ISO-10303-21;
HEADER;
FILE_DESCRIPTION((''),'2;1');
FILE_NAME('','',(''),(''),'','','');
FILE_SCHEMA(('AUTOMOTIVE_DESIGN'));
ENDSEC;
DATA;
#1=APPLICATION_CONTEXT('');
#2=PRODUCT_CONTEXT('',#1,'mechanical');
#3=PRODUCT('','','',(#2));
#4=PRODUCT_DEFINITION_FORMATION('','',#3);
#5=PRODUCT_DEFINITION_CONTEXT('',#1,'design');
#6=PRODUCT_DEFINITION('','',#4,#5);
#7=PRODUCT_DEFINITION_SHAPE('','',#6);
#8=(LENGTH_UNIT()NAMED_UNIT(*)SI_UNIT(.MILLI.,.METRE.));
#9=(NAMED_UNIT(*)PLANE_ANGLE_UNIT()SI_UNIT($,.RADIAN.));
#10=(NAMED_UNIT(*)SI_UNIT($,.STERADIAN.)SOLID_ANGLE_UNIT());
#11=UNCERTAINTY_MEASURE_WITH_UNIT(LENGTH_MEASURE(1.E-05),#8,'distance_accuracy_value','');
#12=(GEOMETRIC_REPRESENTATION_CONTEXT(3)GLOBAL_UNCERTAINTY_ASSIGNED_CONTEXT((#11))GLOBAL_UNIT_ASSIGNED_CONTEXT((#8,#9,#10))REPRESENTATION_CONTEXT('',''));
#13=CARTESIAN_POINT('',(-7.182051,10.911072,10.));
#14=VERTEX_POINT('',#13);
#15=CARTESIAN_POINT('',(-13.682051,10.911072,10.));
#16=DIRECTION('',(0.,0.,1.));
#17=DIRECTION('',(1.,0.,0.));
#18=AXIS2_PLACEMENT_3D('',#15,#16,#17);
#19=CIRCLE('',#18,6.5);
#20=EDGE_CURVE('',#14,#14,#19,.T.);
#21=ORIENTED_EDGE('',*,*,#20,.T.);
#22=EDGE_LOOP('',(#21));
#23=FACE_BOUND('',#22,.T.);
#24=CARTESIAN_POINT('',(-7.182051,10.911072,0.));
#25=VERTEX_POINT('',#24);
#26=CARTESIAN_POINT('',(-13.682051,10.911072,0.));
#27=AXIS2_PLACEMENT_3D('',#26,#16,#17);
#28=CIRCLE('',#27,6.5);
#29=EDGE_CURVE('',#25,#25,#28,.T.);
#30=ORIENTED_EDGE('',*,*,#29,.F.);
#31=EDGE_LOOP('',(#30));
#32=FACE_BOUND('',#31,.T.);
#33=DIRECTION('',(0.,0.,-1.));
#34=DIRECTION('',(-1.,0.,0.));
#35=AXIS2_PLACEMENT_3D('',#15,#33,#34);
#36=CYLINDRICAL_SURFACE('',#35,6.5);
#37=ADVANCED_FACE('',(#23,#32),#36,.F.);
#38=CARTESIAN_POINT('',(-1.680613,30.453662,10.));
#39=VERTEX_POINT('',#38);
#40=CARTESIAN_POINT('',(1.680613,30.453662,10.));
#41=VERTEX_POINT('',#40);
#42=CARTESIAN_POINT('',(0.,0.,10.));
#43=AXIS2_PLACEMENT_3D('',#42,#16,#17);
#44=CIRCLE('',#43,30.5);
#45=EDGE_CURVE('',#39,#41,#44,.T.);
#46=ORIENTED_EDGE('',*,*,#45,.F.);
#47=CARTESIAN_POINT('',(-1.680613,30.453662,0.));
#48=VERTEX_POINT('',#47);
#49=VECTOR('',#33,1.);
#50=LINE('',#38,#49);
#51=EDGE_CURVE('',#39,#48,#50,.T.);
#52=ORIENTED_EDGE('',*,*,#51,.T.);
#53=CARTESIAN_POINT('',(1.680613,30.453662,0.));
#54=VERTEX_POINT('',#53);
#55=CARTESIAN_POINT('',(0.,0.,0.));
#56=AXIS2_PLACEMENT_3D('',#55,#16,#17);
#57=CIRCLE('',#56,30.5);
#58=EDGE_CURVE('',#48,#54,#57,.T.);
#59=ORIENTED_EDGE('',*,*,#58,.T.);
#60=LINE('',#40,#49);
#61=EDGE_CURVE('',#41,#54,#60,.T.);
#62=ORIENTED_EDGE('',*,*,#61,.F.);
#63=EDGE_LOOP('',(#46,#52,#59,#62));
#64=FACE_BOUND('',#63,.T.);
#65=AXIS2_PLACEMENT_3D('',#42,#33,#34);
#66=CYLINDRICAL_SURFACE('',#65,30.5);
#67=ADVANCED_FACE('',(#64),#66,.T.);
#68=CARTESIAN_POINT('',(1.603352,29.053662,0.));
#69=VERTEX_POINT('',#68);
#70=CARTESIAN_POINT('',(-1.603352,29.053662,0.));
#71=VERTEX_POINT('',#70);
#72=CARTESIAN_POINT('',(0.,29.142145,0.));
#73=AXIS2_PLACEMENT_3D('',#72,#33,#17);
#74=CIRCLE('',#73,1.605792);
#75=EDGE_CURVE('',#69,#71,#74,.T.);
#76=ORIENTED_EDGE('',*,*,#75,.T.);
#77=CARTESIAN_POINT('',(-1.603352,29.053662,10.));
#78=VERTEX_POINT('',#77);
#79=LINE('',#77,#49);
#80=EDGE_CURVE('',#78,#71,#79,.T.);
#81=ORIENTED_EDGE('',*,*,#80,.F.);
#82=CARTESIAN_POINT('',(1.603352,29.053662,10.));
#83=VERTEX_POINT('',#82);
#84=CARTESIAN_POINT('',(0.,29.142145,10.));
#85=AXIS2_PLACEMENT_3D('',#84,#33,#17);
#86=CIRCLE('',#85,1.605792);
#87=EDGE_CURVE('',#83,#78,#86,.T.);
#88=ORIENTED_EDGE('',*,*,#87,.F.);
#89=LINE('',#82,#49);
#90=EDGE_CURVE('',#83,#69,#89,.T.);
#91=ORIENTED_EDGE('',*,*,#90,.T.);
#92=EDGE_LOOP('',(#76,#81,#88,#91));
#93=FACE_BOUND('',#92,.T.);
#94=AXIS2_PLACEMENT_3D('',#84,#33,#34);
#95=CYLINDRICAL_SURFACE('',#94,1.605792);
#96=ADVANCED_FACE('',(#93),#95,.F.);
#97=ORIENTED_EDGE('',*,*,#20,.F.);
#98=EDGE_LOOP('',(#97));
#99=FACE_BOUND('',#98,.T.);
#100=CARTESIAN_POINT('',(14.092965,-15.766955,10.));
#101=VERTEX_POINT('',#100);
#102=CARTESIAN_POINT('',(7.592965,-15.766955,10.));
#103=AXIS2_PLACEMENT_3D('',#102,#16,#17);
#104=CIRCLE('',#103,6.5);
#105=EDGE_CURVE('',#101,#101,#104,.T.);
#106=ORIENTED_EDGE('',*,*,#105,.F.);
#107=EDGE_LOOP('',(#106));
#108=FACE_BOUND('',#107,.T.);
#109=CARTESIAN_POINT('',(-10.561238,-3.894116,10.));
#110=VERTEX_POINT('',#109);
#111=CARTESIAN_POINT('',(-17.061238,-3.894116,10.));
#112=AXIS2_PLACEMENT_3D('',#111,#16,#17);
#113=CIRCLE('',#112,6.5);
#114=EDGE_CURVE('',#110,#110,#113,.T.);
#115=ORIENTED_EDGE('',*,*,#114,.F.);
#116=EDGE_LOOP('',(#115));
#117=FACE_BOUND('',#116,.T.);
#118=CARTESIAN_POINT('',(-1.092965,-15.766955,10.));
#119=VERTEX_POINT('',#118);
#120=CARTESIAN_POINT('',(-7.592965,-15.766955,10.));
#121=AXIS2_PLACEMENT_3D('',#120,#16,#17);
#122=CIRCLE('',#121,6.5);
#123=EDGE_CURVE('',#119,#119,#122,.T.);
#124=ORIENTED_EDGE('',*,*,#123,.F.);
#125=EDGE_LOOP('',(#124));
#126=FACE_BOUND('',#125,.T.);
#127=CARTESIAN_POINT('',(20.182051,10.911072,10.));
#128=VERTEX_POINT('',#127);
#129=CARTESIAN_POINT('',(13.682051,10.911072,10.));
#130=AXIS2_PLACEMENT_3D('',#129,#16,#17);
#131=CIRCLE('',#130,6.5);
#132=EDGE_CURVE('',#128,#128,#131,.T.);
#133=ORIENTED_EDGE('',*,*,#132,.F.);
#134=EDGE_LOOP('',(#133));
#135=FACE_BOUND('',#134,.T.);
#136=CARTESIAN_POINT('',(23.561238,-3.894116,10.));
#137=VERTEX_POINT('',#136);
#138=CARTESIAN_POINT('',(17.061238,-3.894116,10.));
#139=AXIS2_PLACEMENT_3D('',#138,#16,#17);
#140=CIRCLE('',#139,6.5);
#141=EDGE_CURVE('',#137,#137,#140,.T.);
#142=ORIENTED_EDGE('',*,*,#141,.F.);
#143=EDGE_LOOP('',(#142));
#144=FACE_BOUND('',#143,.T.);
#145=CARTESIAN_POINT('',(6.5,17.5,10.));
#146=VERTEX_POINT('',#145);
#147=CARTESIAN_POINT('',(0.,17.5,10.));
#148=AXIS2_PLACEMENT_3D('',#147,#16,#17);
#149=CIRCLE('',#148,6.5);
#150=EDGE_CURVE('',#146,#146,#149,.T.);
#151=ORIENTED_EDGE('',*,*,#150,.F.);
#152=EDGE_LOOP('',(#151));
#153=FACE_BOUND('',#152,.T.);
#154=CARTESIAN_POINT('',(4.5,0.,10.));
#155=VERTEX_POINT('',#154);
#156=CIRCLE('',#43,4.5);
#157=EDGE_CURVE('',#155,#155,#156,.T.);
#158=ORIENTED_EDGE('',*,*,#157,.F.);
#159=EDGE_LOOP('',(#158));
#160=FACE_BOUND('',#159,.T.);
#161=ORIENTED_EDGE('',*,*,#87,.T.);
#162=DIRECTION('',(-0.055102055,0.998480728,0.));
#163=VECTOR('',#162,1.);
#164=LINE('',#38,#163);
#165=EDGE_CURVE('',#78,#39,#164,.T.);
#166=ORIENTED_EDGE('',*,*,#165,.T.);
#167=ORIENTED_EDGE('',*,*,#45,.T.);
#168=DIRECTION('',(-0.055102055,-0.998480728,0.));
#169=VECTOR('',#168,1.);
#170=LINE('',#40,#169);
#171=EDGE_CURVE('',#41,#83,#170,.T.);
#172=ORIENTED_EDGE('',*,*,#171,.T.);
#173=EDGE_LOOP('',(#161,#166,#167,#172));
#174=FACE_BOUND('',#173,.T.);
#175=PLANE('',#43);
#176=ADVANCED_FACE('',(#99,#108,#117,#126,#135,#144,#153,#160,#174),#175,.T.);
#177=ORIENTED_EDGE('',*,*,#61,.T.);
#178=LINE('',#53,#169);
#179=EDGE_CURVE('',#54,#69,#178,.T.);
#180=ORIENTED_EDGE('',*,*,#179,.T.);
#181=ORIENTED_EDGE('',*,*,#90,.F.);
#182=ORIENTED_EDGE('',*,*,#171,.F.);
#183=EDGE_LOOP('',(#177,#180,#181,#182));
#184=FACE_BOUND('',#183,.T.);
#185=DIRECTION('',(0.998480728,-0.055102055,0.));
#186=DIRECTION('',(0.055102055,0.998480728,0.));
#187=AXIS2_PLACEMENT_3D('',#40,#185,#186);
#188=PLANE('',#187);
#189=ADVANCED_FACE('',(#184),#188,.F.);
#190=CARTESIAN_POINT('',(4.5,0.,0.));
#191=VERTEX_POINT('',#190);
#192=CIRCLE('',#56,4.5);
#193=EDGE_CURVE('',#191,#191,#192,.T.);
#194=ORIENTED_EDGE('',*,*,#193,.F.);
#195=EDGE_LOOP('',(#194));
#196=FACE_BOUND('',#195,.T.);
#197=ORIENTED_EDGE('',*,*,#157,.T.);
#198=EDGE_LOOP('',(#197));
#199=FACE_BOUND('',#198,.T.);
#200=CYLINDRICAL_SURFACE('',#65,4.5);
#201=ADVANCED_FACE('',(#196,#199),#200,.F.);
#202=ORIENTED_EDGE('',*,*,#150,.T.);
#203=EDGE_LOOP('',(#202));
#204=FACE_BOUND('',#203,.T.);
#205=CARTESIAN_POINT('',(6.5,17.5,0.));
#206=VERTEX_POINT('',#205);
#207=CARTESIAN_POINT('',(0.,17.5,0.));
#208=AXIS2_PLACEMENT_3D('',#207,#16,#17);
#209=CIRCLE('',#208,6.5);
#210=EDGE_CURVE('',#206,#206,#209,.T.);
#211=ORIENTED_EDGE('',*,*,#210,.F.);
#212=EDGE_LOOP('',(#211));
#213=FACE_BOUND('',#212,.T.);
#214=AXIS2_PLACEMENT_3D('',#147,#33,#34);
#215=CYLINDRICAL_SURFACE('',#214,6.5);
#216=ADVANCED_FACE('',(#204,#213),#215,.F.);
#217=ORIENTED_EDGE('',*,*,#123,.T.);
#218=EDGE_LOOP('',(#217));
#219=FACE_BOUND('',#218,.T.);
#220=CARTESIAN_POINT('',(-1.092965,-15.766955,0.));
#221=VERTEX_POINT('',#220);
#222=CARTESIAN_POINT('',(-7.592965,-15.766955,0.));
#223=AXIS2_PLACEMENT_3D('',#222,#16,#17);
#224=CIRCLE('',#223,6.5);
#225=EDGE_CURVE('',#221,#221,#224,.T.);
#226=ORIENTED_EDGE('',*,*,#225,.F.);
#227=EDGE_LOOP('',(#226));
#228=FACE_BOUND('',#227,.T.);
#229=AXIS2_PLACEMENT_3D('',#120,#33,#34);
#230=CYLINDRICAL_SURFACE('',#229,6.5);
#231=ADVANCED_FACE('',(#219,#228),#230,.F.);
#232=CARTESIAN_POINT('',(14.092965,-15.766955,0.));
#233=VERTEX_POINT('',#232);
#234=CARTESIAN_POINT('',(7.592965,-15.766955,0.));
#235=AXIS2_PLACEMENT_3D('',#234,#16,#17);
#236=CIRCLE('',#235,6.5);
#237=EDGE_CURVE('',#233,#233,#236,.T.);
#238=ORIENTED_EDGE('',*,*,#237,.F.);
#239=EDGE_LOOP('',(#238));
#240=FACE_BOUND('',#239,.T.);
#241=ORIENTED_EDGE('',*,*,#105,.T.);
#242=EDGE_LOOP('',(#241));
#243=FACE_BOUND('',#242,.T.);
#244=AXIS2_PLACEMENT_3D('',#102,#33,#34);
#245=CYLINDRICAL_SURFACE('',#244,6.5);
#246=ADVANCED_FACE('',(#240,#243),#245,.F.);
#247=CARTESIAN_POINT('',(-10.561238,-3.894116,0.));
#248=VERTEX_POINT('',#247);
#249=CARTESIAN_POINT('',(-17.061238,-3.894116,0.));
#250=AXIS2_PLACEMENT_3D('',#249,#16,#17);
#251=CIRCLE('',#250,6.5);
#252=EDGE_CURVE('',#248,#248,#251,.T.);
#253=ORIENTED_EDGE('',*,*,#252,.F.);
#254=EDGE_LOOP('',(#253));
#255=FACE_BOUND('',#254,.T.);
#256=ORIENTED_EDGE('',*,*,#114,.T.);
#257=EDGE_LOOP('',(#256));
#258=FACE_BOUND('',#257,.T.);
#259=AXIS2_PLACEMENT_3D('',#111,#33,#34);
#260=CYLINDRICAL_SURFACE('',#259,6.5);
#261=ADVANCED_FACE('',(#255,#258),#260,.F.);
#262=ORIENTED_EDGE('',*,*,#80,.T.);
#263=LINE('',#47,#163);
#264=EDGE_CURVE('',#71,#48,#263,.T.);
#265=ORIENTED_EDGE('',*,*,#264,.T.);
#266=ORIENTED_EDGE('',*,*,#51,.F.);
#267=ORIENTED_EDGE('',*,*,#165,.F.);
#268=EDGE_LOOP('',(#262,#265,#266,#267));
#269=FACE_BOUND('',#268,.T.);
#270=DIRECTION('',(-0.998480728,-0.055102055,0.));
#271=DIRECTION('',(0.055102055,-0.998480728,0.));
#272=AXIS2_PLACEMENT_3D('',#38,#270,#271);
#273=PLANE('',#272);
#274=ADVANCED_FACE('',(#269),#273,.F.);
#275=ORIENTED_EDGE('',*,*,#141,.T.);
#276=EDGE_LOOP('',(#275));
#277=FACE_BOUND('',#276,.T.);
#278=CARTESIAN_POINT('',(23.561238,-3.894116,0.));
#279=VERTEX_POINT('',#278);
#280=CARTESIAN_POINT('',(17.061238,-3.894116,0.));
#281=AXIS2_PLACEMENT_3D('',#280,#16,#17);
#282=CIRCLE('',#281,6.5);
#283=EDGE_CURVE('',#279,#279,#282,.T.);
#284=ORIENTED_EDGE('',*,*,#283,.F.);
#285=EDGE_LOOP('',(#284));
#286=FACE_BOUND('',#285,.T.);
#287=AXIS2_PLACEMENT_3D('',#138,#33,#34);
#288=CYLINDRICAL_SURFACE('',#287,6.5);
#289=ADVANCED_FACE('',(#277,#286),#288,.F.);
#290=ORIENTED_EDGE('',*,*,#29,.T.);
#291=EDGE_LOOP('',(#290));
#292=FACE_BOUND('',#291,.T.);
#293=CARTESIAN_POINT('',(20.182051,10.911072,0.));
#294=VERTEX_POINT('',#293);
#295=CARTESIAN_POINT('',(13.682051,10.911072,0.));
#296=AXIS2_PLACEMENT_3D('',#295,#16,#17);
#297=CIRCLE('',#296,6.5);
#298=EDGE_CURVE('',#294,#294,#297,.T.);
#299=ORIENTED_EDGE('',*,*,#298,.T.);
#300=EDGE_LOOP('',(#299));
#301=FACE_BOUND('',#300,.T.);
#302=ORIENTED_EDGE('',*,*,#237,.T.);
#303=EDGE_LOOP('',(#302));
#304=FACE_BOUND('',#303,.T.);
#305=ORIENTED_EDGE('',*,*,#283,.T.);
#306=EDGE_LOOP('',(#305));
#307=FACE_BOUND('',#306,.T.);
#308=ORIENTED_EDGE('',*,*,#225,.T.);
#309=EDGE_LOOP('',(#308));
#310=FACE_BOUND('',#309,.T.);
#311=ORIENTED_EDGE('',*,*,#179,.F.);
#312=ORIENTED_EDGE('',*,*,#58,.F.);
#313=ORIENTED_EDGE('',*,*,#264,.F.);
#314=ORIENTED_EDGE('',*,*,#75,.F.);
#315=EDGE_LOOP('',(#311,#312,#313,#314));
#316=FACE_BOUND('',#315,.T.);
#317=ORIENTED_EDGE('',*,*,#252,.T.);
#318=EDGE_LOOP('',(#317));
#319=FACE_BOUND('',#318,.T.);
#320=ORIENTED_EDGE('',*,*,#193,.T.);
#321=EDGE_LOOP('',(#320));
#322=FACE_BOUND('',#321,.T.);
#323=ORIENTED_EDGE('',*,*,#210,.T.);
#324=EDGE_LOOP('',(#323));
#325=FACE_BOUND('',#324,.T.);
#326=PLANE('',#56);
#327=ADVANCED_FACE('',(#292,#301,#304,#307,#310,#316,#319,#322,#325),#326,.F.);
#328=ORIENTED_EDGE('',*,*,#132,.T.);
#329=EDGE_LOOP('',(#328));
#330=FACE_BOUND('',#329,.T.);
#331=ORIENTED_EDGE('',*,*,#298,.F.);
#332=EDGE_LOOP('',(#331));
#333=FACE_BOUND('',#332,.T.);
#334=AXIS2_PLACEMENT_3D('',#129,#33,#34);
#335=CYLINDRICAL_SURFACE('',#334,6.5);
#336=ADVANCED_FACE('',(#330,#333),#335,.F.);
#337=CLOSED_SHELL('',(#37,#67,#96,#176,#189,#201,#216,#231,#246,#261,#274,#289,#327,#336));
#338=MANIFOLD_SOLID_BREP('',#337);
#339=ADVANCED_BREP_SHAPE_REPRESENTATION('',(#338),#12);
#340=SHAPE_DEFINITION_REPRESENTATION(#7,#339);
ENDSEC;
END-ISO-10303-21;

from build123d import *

# Parameters (mm, degrees)
SZKIC1_R                    = 4.5
SZKIC1_R_2                  = 6.5
DODANIE_WYCI_GNI_CIE1_DEPTH = 10


with BuildPart() as part:
    # Szkic1 → Dodanie-wyciągnięcie1 (new body)
    with BuildSketch(Plane.XY):
        with BuildLine():
            Line((1.680612664, 30.453662195), (1.603352408, 29.053662195))
            ThreePointArc((1.603352408, 29.053662195), (0, 27.536352592), (-1.603352408, 29.053662195))
            Line((-1.603352408, 29.053662195), (-1.680612664, 30.453662195))
            ThreePointArc((-1.680612664, 30.453662195), (0, -30.5), (1.680612664, 30.453662195))
        make_face()
        Circle(SZKIC1_R, mode=Mode.SUBTRACT)
        with Locations((0, 17.5)):
            Circle(SZKIC1_R_2, mode=Mode.SUBTRACT)
        with Locations((13.682050943, 10.911071533)):
            Circle(SZKIC1_R_2, mode=Mode.SUBTRACT)
        with Locations((17.061238463, -3.894116344)):
            Circle(SZKIC1_R_2, mode=Mode.SUBTRACT)
        with Locations((7.592965435, -15.766955188)):
            Circle(SZKIC1_R_2, mode=Mode.SUBTRACT)
        with Locations((-7.592965435, -15.766955188)):
            Circle(SZKIC1_R_2, mode=Mode.SUBTRACT)
        with Locations((-17.061238463, -3.894116344)):
            Circle(SZKIC1_R_2, mode=Mode.SUBTRACT)
        with Locations((-13.682050943, 10.911071533)):
            Circle(SZKIC1_R_2, mode=Mode.SUBTRACT)
    extrude(amount=DODANIE_WYCI_GNI_CIE1_DEPTH)


solid = part.part
